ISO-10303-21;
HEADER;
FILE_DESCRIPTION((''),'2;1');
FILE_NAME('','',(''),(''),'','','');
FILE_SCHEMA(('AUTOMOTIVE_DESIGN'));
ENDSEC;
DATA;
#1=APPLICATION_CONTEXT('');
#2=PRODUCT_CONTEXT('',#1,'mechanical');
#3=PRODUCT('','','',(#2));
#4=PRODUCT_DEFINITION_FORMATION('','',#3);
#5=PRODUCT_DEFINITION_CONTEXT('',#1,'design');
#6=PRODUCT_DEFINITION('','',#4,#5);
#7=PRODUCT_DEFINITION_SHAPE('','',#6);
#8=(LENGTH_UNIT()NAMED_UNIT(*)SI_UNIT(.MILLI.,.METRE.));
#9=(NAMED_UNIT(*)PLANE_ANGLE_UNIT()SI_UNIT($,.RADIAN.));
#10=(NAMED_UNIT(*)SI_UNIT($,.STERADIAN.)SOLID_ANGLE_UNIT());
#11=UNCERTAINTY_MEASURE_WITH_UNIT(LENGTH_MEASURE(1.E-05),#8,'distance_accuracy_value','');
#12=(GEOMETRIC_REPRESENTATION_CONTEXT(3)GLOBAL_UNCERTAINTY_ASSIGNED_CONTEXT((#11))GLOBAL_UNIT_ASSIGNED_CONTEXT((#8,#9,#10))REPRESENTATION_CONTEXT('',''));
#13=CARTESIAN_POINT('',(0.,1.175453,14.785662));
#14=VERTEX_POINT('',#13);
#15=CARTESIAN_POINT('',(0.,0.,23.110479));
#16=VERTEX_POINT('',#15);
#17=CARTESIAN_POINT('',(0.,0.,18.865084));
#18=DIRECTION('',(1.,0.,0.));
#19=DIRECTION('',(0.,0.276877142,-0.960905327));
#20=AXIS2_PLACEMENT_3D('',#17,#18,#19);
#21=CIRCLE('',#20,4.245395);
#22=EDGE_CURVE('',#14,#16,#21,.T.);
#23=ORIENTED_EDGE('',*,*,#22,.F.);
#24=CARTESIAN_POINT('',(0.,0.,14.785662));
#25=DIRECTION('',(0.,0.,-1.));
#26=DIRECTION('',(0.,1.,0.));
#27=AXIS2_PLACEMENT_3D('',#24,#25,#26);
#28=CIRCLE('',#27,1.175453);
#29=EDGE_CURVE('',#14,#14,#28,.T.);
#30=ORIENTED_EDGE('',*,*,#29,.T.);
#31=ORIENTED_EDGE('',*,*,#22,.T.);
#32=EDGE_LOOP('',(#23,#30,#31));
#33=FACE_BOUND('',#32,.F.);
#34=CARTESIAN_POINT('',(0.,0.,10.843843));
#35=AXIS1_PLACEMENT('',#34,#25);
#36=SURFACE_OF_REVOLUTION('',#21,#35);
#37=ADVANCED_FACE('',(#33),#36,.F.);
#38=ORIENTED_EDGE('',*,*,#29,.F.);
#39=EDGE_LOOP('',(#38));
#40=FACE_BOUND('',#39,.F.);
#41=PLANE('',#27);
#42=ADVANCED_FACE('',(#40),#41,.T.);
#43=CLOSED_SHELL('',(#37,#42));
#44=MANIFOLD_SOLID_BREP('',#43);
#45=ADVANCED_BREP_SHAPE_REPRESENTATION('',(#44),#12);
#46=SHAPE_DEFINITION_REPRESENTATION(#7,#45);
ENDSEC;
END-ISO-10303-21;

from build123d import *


with BuildPart() as f1:
    # F0 (on Right) → F1 (revolve)
    with BuildSketch(Plane.YZ):
        with BuildLine():
            ThreePointArc((1.175453, 14.785662), (4.203697, 19.458641), (0, 23.110479))
            Line((0, 23.110479), (0, 14.785662))
            Line((0, 14.785662), (1.175453, 14.785662))
        make_face()
    revolve(axis=Axis((0, 0, 10.843843), (0, 0, -1)))


solid = f1.part
